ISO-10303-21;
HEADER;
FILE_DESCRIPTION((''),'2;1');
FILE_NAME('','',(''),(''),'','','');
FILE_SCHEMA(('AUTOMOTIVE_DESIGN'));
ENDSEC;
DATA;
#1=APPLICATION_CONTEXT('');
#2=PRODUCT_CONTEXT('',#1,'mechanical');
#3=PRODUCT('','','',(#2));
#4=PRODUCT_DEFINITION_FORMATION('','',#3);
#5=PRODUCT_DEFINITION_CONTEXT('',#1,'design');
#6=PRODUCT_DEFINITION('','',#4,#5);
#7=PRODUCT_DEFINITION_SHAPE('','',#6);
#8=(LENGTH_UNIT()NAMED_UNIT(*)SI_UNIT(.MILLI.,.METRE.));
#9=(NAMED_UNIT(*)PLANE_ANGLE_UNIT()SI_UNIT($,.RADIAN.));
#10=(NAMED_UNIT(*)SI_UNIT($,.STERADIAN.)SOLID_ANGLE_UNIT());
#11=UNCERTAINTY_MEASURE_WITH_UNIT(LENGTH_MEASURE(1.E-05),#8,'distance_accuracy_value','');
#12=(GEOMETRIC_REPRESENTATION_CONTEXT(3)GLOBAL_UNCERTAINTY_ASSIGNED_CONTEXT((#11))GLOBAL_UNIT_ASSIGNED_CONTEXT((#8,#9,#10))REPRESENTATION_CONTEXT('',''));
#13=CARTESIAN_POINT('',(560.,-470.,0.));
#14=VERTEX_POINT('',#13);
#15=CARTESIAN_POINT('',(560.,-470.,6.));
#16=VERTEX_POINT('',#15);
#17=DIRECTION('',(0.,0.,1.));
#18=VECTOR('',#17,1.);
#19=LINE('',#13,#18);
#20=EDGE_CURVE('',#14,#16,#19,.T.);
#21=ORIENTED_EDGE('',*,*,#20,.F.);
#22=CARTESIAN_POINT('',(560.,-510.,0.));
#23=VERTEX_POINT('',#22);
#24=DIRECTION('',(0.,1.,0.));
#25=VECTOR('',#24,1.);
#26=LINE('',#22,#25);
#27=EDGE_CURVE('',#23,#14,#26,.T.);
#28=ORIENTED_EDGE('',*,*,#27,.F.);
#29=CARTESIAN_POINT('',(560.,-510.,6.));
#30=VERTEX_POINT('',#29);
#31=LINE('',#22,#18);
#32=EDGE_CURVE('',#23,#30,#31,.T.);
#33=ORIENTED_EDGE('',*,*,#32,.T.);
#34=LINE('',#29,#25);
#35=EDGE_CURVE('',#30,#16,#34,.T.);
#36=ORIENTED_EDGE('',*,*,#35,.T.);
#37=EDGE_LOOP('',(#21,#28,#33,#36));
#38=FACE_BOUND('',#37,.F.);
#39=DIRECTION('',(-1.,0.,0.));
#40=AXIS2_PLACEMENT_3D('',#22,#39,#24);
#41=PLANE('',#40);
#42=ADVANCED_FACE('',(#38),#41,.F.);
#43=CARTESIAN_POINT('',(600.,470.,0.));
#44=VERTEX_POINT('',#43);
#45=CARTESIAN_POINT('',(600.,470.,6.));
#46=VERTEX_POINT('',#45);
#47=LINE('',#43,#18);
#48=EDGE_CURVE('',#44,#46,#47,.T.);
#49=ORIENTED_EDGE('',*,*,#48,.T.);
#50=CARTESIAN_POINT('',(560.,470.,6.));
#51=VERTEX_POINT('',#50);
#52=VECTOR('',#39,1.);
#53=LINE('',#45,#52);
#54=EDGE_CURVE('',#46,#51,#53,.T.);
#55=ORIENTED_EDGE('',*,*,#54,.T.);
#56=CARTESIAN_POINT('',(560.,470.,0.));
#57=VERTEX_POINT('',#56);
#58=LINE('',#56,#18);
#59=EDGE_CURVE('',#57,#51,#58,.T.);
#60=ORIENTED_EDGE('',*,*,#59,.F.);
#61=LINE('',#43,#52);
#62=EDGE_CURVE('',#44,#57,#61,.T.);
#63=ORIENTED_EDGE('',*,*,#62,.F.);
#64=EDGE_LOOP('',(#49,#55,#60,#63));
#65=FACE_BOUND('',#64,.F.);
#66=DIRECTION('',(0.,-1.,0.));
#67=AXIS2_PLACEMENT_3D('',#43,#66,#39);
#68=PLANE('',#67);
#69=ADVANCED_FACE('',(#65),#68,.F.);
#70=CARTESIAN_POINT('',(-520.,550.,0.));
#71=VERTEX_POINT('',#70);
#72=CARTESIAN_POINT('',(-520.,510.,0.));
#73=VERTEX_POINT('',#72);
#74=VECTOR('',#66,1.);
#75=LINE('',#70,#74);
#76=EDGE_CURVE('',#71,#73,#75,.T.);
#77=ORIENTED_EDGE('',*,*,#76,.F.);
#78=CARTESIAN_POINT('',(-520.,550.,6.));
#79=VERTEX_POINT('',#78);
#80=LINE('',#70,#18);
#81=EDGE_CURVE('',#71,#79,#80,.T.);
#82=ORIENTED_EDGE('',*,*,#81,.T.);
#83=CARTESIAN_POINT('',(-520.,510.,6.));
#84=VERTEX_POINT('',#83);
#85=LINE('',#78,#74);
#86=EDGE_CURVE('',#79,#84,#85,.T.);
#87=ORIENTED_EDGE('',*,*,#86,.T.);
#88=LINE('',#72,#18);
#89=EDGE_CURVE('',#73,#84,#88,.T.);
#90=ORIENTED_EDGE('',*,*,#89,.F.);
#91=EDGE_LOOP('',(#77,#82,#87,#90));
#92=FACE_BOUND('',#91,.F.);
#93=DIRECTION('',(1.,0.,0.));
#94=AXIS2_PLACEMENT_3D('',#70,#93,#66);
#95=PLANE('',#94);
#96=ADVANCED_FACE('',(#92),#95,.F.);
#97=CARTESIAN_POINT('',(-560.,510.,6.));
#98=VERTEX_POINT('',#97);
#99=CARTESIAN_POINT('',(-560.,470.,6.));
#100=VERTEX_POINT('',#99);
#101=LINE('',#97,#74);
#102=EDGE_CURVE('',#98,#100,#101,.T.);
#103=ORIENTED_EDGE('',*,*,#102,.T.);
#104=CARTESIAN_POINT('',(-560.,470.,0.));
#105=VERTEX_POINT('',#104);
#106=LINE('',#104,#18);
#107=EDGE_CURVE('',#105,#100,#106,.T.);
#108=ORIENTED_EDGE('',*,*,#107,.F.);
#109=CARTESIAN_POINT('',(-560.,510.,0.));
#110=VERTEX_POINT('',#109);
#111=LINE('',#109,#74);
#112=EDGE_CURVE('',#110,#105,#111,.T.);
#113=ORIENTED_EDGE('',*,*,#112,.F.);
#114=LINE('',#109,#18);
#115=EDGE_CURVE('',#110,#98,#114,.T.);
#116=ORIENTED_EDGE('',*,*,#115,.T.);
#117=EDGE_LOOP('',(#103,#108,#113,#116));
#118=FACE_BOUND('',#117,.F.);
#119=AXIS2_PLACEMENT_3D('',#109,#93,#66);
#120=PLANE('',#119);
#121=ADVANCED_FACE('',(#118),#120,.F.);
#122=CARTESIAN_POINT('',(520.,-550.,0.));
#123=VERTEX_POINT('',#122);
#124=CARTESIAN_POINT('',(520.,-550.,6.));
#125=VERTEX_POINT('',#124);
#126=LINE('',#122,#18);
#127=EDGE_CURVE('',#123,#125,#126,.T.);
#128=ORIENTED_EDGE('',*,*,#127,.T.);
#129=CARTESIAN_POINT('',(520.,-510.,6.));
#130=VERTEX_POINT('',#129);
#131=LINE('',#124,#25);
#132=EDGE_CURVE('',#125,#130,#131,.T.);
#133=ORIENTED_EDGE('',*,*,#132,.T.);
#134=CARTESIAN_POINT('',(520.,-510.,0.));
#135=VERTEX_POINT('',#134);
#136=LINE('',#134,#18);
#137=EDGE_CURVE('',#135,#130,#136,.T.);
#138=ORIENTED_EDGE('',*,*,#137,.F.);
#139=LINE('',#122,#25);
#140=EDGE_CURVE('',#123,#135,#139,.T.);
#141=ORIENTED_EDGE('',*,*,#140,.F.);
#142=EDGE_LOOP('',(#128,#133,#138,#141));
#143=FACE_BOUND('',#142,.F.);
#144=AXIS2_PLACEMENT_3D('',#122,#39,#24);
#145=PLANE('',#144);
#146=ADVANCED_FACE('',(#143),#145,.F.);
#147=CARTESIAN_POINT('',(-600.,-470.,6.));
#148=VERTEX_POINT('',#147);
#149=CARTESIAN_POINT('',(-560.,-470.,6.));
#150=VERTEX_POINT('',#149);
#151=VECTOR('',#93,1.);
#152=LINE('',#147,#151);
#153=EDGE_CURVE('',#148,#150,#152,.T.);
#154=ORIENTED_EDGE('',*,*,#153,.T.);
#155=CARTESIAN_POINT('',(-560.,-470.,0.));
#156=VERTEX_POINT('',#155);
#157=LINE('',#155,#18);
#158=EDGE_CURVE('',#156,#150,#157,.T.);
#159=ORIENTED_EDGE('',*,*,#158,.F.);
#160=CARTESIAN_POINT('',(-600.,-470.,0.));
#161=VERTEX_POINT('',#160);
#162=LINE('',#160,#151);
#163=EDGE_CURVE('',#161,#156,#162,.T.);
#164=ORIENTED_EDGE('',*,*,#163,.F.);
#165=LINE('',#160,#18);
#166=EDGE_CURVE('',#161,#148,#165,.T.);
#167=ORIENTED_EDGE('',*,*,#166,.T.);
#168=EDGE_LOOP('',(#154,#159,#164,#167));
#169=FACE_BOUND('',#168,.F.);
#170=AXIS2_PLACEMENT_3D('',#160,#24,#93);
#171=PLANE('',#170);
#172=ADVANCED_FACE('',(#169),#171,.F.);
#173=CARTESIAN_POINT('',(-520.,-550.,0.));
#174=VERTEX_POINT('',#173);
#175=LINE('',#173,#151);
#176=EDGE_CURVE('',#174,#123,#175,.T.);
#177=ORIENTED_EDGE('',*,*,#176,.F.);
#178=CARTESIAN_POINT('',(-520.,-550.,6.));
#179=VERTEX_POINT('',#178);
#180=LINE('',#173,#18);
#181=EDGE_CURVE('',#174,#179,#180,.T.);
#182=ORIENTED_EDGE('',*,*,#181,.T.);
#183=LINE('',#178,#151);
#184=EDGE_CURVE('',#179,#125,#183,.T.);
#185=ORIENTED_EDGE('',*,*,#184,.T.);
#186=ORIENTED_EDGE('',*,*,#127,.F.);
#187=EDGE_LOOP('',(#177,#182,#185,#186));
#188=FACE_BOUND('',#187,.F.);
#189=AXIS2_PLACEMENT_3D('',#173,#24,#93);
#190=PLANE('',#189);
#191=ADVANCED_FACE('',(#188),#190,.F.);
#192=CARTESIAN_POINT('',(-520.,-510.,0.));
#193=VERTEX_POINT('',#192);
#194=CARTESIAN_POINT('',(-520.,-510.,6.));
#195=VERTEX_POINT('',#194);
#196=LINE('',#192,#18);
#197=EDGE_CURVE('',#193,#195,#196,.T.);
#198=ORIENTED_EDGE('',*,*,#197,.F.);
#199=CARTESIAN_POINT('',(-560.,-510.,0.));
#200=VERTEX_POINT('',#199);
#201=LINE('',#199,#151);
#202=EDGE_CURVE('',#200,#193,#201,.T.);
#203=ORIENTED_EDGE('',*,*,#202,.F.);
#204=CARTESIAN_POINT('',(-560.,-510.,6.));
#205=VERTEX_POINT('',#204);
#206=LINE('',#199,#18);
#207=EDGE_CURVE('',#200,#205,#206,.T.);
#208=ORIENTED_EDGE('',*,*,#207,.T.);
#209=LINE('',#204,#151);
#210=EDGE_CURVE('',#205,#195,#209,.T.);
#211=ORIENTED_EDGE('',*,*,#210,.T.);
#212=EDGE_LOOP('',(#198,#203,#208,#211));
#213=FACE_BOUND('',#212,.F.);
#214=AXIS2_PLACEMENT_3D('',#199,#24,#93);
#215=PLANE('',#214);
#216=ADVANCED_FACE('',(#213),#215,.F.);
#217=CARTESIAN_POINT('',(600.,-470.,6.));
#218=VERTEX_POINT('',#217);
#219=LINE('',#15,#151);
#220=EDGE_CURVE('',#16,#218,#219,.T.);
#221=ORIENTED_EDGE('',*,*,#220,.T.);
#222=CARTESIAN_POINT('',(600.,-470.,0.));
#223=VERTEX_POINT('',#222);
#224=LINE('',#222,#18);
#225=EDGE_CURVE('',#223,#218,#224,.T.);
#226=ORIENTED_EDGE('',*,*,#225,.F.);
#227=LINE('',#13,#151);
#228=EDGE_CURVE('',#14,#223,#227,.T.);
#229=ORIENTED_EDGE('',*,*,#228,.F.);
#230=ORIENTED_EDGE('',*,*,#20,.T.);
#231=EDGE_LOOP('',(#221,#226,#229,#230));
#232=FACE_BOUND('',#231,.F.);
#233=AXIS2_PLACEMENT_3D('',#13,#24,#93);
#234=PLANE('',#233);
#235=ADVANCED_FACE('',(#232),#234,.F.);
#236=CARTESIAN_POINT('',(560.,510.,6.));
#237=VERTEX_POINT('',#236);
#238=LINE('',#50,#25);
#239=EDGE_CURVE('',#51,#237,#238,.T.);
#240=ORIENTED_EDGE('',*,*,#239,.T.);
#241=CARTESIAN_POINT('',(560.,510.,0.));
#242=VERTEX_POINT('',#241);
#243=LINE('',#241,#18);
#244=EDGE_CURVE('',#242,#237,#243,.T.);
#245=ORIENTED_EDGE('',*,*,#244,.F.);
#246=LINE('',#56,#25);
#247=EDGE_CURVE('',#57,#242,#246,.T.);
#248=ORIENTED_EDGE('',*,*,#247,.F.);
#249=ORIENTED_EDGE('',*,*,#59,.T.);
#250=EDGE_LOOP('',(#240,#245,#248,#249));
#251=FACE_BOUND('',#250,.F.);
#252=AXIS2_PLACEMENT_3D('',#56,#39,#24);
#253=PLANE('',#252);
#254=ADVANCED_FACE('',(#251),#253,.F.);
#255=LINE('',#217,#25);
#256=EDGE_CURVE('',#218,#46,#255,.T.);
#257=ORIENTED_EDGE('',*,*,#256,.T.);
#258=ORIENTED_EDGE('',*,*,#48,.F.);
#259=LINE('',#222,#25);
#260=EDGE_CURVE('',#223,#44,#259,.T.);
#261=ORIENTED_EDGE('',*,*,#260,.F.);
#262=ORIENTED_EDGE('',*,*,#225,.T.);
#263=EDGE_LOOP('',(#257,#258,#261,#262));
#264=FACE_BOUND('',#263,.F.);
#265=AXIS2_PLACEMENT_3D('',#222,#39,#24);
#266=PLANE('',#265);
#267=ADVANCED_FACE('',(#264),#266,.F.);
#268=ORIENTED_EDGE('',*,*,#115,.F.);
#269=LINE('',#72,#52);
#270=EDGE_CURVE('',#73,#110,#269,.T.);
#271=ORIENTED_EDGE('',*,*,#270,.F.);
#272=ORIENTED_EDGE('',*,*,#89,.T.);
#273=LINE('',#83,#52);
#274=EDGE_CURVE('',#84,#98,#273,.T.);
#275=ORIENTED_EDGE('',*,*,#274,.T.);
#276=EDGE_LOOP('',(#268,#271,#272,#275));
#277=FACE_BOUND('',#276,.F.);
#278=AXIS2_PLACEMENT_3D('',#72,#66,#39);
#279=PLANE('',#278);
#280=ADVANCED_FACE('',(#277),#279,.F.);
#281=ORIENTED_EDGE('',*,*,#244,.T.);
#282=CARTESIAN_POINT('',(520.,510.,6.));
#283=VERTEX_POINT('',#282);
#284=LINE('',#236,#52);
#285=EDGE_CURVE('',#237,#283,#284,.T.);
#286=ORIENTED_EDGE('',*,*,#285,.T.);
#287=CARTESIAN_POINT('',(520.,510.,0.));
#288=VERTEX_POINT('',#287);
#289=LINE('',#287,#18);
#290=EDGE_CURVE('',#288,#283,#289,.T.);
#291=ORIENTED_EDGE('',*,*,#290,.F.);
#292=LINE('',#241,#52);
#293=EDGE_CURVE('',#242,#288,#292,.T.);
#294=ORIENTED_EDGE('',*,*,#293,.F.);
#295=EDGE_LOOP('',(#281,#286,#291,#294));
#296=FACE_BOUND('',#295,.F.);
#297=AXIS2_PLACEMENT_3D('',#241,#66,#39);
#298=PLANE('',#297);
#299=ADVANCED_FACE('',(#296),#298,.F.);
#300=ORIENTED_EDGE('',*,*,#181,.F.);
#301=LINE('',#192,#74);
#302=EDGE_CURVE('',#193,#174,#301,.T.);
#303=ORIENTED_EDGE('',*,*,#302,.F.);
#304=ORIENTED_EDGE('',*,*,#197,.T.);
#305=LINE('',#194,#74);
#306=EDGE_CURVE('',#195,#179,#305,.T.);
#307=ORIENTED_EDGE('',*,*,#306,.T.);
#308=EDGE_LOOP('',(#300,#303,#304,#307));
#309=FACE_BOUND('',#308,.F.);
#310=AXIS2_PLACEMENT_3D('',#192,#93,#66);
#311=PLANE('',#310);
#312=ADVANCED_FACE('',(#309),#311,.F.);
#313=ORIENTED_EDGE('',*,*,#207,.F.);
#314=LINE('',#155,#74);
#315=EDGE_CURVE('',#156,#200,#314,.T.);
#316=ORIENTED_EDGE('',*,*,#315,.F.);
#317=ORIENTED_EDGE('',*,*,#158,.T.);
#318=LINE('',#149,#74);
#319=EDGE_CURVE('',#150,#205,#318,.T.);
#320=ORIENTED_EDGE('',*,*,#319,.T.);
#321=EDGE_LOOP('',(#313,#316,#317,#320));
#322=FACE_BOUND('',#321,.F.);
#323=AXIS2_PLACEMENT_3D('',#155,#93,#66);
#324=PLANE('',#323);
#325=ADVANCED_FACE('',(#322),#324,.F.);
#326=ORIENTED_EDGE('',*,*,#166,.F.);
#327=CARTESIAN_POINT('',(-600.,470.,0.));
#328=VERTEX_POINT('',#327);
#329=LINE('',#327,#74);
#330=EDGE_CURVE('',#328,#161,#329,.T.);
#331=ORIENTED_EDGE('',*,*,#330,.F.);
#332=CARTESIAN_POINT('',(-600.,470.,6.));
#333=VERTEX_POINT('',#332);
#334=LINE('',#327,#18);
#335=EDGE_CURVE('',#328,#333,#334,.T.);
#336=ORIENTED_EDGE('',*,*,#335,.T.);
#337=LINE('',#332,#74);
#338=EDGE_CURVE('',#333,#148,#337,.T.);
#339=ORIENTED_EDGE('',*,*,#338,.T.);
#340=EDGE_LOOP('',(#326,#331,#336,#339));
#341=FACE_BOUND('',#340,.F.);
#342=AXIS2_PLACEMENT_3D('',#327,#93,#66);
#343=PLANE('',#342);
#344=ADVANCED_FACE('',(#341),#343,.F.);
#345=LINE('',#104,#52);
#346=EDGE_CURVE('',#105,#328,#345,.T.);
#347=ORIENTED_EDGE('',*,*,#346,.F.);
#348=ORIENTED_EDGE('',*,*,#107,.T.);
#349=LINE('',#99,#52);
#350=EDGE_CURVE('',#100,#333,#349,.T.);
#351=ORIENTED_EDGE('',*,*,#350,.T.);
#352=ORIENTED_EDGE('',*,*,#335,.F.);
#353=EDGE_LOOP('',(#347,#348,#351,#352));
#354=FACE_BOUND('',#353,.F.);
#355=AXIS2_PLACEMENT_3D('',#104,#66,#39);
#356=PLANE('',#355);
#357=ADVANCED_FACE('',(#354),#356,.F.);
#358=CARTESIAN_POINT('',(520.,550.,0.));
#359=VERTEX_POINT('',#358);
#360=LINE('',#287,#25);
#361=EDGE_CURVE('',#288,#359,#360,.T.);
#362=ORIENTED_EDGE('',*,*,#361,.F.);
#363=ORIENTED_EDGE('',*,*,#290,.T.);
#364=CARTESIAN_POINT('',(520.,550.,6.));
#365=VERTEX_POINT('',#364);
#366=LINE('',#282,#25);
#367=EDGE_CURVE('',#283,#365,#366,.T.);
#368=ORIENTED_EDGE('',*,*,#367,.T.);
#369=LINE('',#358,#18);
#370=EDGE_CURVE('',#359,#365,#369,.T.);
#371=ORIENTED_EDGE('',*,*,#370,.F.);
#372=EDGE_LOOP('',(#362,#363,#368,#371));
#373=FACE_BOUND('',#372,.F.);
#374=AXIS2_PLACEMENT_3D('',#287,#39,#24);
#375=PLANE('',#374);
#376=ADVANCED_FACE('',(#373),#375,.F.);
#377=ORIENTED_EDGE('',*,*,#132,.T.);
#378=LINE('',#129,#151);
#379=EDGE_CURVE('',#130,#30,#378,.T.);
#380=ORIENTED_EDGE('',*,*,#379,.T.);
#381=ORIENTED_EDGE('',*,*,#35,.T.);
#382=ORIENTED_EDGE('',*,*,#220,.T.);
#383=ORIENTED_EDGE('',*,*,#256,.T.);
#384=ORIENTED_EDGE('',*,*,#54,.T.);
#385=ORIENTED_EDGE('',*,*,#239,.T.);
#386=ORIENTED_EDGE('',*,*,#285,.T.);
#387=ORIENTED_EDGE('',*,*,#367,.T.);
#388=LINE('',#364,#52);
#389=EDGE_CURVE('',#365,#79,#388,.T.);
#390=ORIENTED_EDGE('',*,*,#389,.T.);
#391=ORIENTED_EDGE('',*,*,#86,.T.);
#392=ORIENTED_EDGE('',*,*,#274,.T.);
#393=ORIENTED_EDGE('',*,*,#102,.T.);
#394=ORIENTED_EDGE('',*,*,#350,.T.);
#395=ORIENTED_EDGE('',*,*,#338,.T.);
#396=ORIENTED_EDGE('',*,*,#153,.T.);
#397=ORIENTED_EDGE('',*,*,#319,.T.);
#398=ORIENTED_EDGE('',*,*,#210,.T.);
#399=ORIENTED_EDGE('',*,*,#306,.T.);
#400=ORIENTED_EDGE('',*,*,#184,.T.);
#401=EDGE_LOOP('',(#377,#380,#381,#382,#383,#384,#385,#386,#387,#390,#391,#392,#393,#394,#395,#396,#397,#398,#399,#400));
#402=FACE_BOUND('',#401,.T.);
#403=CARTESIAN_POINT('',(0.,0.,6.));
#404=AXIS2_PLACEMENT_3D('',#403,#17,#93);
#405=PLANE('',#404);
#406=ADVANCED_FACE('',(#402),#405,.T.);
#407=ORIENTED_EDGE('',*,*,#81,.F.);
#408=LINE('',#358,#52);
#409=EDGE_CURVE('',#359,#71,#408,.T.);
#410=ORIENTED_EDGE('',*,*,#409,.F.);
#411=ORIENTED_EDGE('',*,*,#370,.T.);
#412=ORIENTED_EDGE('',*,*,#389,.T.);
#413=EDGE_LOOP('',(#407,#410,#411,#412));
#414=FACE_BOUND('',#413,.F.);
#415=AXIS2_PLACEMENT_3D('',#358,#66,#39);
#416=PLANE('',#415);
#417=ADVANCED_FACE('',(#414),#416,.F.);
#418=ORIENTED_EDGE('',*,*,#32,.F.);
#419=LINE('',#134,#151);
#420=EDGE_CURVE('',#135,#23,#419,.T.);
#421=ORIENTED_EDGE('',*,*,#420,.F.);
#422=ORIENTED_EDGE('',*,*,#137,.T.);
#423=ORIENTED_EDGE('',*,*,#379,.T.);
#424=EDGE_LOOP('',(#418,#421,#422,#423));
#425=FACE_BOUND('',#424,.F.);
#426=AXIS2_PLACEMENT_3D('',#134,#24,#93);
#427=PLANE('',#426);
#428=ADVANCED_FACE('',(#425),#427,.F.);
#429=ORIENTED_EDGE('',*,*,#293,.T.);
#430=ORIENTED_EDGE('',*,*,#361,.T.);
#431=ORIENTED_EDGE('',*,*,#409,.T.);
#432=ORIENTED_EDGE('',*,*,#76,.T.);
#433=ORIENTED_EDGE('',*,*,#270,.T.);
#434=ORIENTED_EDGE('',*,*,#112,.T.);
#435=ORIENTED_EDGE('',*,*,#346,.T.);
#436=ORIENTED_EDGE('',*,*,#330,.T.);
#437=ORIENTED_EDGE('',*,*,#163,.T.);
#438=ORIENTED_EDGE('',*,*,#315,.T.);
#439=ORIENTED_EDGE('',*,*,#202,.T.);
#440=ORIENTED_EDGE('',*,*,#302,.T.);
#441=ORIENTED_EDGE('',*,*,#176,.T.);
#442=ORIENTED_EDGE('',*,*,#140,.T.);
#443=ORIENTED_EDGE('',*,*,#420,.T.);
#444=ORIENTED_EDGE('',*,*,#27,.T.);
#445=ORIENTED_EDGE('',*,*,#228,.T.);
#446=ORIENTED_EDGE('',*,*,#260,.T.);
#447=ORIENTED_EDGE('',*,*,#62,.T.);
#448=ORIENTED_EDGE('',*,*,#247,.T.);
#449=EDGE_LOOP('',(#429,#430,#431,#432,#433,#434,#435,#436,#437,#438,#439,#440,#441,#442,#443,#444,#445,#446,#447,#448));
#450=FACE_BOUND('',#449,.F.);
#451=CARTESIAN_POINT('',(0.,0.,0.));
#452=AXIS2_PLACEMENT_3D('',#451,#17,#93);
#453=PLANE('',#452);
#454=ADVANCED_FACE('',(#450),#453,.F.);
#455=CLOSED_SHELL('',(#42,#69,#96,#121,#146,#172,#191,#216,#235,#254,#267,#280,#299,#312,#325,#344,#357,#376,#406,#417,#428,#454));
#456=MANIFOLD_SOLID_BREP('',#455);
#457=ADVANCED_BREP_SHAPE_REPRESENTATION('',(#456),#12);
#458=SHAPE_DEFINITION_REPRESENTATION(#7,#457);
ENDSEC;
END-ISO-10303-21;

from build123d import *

# Parameters (mm, degrees)
F1_DEPTH = 6


with BuildPart() as f1:
    # F0 (on Top) → F1 (new body)
    with BuildSketch(Plane.XY):
        Polygon((520, 550), (-520, 550), (-520, 510), (-560, 510), (-560, 470), (-600, 470), (-600, -470), (-560, -470), (-560, -510), (-520, -510), (-520, -550), (520, -550), (520, -510), (560, -510), (560, -470), (600, -470), (600, 470), (560, 470), (560, 510), (520, 510), align=None)
    extrude(amount=F1_DEPTH)


solid = f1.part
